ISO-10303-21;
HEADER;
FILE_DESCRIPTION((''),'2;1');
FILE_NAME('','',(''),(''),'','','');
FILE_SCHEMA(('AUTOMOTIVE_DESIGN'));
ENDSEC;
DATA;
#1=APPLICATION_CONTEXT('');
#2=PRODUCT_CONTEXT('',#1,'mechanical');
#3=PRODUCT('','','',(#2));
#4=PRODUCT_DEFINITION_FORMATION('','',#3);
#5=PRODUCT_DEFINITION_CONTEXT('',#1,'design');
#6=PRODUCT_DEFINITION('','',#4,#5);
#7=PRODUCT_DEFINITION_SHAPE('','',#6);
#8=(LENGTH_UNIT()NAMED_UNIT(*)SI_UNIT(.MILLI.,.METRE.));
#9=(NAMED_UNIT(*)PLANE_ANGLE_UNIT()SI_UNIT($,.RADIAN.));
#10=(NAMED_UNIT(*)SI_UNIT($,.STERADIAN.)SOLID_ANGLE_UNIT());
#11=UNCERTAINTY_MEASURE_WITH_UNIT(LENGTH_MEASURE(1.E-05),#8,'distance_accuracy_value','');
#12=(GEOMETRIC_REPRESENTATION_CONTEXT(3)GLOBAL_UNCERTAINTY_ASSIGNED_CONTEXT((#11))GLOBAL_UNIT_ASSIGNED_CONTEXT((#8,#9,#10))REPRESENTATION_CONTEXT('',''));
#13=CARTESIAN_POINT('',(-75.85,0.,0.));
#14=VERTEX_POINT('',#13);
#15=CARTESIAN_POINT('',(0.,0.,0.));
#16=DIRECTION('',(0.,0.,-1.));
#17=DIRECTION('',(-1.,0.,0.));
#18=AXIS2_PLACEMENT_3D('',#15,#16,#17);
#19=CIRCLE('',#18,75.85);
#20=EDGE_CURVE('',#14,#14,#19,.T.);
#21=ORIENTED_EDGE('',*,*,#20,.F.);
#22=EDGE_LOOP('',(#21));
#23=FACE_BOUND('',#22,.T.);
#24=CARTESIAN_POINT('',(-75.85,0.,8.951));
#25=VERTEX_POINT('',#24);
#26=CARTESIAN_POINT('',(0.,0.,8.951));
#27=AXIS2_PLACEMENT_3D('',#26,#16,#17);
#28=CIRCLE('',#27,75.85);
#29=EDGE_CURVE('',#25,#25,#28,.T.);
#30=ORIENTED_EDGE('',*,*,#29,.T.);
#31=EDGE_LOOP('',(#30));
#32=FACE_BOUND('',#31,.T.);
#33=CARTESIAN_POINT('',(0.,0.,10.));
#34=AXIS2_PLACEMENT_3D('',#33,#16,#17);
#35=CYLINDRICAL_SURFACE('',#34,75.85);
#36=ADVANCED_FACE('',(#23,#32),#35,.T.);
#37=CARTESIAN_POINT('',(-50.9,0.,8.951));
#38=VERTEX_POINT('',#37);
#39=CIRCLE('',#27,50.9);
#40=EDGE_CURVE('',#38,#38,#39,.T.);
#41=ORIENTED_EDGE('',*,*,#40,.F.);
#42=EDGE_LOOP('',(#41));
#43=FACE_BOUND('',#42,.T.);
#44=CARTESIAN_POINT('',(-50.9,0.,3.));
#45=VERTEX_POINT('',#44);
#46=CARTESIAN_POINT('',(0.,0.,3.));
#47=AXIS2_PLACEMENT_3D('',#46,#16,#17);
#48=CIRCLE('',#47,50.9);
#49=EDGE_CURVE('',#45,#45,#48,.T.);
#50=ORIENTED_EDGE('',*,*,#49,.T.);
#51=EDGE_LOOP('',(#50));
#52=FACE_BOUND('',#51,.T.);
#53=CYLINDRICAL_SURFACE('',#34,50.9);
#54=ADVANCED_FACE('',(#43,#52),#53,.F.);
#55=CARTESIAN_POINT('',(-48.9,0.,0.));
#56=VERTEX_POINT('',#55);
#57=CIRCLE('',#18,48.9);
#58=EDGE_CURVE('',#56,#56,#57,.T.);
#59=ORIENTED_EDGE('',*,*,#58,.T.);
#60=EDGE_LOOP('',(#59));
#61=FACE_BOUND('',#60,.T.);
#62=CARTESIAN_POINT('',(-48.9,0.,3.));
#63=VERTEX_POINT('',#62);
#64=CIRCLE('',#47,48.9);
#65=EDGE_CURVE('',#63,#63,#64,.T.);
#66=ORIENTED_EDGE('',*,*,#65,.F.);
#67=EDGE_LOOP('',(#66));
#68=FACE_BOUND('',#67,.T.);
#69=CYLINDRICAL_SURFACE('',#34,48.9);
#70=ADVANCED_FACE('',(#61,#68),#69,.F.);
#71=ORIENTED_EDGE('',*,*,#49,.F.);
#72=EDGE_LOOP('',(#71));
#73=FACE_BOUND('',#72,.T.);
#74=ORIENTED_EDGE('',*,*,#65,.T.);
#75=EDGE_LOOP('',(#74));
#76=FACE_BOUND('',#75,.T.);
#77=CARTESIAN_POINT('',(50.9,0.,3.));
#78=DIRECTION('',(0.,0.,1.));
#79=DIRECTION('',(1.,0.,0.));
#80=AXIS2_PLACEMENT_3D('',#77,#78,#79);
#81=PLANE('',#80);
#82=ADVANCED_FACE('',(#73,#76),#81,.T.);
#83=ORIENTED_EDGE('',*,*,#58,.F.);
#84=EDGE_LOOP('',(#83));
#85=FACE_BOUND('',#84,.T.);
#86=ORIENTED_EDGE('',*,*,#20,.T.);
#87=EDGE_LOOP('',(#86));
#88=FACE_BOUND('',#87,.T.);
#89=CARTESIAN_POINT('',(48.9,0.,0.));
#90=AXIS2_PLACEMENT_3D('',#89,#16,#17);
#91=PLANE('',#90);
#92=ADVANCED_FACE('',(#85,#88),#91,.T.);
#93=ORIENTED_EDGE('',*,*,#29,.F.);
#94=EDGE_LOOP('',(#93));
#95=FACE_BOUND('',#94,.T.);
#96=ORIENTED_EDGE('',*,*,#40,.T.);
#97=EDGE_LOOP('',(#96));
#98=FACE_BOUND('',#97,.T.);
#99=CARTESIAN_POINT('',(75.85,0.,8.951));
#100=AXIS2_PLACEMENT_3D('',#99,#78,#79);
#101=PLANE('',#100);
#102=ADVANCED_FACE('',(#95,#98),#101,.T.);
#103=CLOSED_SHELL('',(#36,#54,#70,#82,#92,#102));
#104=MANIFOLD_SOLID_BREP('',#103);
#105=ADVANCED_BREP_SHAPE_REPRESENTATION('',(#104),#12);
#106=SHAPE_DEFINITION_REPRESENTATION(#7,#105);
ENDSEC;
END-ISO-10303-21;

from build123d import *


with BuildPart() as part:
    # Sketch1 → Revolve1 (revolve)
    with BuildSketch(Plane.XZ):
        Polygon((48.9, 0), (75.85, 0), (75.85, 8.951), (50.9, 8.951), (50.9, 3), (48.9, 3), align=None)
    revolve(axis=Axis((0, 0, 10), (0, 0, -1)))


solid = part.part
